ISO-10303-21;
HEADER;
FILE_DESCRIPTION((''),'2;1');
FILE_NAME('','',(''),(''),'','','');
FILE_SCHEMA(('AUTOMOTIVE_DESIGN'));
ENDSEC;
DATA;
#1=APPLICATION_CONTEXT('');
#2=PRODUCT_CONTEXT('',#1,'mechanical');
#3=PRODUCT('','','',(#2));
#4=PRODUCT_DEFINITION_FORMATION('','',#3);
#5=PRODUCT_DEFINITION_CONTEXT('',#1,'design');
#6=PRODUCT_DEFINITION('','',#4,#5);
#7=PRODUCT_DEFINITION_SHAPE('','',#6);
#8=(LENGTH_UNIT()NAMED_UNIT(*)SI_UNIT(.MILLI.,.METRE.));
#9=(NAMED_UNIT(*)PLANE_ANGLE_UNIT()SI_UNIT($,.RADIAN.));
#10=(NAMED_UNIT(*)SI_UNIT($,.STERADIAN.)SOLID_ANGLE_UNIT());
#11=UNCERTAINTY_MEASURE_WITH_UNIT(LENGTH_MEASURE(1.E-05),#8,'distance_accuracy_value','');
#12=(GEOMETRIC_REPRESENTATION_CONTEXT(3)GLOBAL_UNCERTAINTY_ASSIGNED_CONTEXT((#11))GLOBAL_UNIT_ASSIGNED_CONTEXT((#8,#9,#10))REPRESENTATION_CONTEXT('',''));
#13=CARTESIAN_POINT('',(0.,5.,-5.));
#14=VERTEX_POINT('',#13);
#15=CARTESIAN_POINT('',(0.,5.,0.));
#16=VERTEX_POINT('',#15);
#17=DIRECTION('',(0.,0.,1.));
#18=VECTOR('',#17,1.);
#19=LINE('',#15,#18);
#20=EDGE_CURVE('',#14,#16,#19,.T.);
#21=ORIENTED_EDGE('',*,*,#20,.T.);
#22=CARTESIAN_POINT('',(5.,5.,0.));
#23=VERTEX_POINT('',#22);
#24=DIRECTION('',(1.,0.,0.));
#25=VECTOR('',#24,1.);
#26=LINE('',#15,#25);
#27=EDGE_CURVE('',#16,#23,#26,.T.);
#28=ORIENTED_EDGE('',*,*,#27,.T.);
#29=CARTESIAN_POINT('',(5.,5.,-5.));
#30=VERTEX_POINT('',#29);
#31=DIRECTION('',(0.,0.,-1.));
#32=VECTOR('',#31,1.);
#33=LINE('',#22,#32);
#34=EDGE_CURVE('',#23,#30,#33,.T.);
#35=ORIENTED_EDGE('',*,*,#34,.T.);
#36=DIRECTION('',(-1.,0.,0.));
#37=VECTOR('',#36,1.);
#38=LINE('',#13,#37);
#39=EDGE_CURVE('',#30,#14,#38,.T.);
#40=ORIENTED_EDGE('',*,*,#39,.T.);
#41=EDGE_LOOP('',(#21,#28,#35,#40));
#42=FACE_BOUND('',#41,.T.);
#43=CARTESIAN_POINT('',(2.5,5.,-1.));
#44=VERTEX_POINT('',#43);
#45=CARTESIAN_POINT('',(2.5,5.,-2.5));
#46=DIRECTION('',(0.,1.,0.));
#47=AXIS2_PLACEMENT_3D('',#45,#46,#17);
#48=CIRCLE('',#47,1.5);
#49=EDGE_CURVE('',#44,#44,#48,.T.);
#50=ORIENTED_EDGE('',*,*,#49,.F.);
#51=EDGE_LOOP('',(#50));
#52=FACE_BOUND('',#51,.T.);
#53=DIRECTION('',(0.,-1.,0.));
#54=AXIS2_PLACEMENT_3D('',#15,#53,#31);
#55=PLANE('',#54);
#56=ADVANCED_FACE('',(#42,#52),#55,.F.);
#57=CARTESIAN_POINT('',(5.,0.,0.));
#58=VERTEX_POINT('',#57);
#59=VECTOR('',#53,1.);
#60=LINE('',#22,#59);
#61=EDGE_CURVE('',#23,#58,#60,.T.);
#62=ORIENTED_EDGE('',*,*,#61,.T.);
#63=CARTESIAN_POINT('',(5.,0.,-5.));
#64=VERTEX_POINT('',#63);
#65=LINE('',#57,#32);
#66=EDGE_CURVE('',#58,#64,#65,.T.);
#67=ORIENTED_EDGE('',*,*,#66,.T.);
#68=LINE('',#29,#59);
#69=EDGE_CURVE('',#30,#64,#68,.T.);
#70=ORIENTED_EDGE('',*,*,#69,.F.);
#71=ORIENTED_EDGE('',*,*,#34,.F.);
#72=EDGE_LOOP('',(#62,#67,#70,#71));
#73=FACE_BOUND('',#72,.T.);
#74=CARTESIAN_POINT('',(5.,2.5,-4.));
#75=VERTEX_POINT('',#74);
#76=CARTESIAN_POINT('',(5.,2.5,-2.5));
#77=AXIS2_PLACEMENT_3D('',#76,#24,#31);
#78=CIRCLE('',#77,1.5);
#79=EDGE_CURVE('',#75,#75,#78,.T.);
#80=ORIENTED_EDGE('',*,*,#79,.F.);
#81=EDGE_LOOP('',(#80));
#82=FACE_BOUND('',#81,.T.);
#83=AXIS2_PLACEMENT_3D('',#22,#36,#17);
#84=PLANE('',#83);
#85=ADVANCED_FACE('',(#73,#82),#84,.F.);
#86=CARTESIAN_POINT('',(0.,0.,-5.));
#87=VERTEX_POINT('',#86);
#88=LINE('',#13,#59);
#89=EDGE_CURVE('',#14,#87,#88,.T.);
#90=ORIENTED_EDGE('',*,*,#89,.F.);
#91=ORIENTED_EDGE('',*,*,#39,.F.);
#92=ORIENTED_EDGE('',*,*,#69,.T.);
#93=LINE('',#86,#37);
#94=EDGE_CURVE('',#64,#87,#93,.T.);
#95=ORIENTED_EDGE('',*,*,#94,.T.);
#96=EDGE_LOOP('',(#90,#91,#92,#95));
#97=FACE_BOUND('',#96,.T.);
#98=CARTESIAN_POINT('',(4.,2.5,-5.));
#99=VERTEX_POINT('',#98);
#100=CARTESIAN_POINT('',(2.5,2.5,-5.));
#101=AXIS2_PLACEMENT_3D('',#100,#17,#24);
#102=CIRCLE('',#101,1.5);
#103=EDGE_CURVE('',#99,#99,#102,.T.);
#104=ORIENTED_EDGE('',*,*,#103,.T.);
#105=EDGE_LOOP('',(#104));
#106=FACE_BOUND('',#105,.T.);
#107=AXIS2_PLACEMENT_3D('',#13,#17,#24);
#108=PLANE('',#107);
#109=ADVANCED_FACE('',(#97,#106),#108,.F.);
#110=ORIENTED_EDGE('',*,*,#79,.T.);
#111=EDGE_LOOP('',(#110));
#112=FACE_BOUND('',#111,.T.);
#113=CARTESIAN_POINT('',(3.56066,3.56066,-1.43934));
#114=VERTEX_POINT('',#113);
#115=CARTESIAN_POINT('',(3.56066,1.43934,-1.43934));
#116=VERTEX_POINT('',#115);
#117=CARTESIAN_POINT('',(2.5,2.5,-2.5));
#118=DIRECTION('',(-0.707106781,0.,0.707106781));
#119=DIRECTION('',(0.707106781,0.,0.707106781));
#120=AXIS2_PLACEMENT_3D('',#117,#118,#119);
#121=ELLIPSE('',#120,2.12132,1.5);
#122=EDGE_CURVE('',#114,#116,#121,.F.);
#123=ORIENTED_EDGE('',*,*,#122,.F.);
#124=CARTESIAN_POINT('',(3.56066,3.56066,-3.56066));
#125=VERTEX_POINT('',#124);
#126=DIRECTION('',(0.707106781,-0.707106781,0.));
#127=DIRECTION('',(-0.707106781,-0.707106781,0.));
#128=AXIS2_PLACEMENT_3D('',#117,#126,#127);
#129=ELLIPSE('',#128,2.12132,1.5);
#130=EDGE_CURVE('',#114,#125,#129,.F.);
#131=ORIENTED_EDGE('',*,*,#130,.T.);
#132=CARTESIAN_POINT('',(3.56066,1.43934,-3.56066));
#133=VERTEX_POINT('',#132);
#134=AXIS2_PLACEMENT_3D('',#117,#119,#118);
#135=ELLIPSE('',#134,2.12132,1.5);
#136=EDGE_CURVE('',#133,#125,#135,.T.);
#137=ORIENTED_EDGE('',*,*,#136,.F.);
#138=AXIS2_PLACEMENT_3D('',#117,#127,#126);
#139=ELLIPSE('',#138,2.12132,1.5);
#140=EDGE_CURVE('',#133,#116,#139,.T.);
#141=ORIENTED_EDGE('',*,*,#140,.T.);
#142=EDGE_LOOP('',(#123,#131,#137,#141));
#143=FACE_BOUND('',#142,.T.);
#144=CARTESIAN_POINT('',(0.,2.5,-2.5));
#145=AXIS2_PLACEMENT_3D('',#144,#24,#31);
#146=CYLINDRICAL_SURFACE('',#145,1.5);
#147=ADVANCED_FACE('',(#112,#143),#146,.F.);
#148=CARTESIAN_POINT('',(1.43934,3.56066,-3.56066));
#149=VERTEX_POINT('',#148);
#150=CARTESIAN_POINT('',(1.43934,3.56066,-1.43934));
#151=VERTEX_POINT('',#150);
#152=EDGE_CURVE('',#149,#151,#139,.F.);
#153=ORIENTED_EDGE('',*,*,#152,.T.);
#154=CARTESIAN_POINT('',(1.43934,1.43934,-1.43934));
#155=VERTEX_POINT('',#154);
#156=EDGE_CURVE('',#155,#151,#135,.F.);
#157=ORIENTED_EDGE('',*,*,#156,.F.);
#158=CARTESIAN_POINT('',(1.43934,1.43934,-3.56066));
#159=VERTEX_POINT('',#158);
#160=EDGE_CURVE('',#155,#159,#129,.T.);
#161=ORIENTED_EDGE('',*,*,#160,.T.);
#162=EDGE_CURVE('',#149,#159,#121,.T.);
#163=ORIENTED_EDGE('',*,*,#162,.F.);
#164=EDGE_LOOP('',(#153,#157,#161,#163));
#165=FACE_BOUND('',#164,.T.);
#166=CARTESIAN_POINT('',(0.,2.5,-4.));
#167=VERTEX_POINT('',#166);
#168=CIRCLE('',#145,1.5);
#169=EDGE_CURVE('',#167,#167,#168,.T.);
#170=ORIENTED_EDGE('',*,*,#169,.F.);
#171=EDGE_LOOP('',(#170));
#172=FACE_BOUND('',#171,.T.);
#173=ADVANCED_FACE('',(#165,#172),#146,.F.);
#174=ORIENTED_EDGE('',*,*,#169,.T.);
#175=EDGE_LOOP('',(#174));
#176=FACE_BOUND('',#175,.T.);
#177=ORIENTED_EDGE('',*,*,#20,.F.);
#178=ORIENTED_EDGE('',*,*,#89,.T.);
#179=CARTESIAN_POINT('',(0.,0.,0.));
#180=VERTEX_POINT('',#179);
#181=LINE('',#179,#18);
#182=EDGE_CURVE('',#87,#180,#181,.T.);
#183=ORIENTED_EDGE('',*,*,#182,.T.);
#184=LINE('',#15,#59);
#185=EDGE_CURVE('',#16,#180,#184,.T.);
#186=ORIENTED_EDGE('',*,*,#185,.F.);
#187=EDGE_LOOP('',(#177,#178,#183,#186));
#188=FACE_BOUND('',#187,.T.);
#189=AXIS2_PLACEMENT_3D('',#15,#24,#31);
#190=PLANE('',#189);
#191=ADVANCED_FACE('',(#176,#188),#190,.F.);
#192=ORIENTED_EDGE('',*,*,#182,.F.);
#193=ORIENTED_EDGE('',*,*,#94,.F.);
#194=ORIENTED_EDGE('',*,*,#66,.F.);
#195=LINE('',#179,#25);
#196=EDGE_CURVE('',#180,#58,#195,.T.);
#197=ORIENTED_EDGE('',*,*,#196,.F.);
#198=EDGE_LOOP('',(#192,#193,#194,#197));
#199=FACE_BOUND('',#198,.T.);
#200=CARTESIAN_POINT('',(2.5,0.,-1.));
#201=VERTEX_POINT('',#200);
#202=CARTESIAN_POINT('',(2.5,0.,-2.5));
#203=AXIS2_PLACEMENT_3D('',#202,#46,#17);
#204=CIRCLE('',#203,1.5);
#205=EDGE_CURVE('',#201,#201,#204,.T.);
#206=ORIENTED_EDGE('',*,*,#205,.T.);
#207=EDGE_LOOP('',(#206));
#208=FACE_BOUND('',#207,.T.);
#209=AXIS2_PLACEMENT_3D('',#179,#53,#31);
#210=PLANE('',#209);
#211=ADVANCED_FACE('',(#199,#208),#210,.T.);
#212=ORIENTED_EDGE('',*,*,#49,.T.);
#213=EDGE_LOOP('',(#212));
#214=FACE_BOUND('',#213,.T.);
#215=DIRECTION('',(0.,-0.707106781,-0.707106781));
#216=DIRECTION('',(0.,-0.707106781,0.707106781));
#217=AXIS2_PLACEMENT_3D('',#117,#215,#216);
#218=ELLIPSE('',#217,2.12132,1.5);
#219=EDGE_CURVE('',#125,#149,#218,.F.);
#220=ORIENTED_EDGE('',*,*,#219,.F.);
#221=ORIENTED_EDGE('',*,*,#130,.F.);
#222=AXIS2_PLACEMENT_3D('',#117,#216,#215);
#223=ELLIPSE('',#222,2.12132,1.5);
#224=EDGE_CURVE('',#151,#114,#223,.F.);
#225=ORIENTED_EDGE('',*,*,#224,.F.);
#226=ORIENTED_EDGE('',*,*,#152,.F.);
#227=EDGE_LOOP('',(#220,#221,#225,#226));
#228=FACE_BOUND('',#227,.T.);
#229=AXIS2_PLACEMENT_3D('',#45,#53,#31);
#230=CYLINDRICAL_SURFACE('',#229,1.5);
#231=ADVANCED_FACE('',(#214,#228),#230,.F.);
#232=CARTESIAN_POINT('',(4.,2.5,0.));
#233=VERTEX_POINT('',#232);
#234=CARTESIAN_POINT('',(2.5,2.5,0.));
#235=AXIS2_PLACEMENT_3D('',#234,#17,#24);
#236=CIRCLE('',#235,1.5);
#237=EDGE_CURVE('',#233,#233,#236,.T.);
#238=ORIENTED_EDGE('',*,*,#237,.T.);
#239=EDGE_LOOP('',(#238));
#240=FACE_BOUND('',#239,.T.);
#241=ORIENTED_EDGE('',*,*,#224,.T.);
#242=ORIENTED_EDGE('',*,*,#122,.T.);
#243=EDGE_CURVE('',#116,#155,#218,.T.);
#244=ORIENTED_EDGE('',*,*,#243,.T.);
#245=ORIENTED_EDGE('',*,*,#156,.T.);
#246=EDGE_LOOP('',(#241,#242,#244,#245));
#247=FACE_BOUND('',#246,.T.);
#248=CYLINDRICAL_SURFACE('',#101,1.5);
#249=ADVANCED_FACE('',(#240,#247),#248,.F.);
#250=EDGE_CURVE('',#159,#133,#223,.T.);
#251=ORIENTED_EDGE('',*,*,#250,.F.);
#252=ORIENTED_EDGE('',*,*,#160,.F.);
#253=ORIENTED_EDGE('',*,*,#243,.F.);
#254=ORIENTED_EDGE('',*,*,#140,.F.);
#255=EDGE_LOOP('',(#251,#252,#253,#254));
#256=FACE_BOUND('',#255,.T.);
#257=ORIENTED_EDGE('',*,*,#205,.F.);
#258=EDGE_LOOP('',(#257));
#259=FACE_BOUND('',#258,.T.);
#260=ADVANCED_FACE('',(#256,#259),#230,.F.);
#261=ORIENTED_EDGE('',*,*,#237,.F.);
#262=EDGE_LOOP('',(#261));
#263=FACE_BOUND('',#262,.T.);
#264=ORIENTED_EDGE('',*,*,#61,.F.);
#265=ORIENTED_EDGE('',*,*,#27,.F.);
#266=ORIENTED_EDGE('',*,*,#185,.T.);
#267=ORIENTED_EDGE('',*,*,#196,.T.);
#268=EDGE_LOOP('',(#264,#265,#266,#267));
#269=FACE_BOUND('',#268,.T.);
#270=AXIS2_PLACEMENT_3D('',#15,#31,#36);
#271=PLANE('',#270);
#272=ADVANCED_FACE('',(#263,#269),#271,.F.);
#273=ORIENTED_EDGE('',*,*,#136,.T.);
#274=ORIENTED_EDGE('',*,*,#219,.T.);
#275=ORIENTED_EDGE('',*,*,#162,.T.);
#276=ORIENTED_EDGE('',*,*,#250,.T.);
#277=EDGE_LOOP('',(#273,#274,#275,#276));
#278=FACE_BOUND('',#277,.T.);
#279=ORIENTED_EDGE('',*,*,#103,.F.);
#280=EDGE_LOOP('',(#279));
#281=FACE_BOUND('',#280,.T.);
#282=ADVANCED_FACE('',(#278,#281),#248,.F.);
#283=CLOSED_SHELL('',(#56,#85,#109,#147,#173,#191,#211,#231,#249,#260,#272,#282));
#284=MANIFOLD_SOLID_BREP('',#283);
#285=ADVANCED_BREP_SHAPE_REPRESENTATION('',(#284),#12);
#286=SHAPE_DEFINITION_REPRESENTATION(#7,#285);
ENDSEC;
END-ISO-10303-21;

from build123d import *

# Parameters (mm, degrees)
SKETCH_1_W          = 5
SKETCH_1_H          = 5
SKETCH_1_R          = 1.5
EXTRUDE_1_DEPTH     = 5
SKETCH_2_R          = 1.5
CUT_EXTRUDE_1_DEPTH = 5
SKETCH_3_R          = 1.5
CUT_EXTRUDE_2_DEPTH = 5


with BuildPart() as part:
    # 草图1 → 凸台-拉伸1 (new body)
    with BuildSketch(Plane(origin=(0, 0, 0), x_dir=(1, 0, 0), z_dir=(0, 1, 0))):
        with Locations((2.5, 2.5)):
            Rectangle(SKETCH_1_W, SKETCH_1_H)
        with Locations(Location((2.5, 2.5, 0), (0, 0, 270))):
            Circle(SKETCH_1_R, mode=Mode.SUBTRACT)
    extrude(amount=EXTRUDE_1_DEPTH)

    # 草图2 → 切除-拉伸1 (cut)
    with BuildSketch(Plane.XY):
        with Locations((2.5, 2.5)):
            Circle(SKETCH_2_R)
    extrude(amount=-CUT_EXTRUDE_1_DEPTH, mode=Mode.SUBTRACT)

    # 草图3 → 切除-拉伸2 (cut)
    with BuildSketch(Plane(origin=(5, 0, 0), x_dir=(0, 0, -1), z_dir=(1, 0, 0))):
        with Locations((2.5, 2.5)):
            Circle(SKETCH_3_R)
    extrude(amount=-CUT_EXTRUDE_2_DEPTH, mode=Mode.SUBTRACT)


solid = part.part
